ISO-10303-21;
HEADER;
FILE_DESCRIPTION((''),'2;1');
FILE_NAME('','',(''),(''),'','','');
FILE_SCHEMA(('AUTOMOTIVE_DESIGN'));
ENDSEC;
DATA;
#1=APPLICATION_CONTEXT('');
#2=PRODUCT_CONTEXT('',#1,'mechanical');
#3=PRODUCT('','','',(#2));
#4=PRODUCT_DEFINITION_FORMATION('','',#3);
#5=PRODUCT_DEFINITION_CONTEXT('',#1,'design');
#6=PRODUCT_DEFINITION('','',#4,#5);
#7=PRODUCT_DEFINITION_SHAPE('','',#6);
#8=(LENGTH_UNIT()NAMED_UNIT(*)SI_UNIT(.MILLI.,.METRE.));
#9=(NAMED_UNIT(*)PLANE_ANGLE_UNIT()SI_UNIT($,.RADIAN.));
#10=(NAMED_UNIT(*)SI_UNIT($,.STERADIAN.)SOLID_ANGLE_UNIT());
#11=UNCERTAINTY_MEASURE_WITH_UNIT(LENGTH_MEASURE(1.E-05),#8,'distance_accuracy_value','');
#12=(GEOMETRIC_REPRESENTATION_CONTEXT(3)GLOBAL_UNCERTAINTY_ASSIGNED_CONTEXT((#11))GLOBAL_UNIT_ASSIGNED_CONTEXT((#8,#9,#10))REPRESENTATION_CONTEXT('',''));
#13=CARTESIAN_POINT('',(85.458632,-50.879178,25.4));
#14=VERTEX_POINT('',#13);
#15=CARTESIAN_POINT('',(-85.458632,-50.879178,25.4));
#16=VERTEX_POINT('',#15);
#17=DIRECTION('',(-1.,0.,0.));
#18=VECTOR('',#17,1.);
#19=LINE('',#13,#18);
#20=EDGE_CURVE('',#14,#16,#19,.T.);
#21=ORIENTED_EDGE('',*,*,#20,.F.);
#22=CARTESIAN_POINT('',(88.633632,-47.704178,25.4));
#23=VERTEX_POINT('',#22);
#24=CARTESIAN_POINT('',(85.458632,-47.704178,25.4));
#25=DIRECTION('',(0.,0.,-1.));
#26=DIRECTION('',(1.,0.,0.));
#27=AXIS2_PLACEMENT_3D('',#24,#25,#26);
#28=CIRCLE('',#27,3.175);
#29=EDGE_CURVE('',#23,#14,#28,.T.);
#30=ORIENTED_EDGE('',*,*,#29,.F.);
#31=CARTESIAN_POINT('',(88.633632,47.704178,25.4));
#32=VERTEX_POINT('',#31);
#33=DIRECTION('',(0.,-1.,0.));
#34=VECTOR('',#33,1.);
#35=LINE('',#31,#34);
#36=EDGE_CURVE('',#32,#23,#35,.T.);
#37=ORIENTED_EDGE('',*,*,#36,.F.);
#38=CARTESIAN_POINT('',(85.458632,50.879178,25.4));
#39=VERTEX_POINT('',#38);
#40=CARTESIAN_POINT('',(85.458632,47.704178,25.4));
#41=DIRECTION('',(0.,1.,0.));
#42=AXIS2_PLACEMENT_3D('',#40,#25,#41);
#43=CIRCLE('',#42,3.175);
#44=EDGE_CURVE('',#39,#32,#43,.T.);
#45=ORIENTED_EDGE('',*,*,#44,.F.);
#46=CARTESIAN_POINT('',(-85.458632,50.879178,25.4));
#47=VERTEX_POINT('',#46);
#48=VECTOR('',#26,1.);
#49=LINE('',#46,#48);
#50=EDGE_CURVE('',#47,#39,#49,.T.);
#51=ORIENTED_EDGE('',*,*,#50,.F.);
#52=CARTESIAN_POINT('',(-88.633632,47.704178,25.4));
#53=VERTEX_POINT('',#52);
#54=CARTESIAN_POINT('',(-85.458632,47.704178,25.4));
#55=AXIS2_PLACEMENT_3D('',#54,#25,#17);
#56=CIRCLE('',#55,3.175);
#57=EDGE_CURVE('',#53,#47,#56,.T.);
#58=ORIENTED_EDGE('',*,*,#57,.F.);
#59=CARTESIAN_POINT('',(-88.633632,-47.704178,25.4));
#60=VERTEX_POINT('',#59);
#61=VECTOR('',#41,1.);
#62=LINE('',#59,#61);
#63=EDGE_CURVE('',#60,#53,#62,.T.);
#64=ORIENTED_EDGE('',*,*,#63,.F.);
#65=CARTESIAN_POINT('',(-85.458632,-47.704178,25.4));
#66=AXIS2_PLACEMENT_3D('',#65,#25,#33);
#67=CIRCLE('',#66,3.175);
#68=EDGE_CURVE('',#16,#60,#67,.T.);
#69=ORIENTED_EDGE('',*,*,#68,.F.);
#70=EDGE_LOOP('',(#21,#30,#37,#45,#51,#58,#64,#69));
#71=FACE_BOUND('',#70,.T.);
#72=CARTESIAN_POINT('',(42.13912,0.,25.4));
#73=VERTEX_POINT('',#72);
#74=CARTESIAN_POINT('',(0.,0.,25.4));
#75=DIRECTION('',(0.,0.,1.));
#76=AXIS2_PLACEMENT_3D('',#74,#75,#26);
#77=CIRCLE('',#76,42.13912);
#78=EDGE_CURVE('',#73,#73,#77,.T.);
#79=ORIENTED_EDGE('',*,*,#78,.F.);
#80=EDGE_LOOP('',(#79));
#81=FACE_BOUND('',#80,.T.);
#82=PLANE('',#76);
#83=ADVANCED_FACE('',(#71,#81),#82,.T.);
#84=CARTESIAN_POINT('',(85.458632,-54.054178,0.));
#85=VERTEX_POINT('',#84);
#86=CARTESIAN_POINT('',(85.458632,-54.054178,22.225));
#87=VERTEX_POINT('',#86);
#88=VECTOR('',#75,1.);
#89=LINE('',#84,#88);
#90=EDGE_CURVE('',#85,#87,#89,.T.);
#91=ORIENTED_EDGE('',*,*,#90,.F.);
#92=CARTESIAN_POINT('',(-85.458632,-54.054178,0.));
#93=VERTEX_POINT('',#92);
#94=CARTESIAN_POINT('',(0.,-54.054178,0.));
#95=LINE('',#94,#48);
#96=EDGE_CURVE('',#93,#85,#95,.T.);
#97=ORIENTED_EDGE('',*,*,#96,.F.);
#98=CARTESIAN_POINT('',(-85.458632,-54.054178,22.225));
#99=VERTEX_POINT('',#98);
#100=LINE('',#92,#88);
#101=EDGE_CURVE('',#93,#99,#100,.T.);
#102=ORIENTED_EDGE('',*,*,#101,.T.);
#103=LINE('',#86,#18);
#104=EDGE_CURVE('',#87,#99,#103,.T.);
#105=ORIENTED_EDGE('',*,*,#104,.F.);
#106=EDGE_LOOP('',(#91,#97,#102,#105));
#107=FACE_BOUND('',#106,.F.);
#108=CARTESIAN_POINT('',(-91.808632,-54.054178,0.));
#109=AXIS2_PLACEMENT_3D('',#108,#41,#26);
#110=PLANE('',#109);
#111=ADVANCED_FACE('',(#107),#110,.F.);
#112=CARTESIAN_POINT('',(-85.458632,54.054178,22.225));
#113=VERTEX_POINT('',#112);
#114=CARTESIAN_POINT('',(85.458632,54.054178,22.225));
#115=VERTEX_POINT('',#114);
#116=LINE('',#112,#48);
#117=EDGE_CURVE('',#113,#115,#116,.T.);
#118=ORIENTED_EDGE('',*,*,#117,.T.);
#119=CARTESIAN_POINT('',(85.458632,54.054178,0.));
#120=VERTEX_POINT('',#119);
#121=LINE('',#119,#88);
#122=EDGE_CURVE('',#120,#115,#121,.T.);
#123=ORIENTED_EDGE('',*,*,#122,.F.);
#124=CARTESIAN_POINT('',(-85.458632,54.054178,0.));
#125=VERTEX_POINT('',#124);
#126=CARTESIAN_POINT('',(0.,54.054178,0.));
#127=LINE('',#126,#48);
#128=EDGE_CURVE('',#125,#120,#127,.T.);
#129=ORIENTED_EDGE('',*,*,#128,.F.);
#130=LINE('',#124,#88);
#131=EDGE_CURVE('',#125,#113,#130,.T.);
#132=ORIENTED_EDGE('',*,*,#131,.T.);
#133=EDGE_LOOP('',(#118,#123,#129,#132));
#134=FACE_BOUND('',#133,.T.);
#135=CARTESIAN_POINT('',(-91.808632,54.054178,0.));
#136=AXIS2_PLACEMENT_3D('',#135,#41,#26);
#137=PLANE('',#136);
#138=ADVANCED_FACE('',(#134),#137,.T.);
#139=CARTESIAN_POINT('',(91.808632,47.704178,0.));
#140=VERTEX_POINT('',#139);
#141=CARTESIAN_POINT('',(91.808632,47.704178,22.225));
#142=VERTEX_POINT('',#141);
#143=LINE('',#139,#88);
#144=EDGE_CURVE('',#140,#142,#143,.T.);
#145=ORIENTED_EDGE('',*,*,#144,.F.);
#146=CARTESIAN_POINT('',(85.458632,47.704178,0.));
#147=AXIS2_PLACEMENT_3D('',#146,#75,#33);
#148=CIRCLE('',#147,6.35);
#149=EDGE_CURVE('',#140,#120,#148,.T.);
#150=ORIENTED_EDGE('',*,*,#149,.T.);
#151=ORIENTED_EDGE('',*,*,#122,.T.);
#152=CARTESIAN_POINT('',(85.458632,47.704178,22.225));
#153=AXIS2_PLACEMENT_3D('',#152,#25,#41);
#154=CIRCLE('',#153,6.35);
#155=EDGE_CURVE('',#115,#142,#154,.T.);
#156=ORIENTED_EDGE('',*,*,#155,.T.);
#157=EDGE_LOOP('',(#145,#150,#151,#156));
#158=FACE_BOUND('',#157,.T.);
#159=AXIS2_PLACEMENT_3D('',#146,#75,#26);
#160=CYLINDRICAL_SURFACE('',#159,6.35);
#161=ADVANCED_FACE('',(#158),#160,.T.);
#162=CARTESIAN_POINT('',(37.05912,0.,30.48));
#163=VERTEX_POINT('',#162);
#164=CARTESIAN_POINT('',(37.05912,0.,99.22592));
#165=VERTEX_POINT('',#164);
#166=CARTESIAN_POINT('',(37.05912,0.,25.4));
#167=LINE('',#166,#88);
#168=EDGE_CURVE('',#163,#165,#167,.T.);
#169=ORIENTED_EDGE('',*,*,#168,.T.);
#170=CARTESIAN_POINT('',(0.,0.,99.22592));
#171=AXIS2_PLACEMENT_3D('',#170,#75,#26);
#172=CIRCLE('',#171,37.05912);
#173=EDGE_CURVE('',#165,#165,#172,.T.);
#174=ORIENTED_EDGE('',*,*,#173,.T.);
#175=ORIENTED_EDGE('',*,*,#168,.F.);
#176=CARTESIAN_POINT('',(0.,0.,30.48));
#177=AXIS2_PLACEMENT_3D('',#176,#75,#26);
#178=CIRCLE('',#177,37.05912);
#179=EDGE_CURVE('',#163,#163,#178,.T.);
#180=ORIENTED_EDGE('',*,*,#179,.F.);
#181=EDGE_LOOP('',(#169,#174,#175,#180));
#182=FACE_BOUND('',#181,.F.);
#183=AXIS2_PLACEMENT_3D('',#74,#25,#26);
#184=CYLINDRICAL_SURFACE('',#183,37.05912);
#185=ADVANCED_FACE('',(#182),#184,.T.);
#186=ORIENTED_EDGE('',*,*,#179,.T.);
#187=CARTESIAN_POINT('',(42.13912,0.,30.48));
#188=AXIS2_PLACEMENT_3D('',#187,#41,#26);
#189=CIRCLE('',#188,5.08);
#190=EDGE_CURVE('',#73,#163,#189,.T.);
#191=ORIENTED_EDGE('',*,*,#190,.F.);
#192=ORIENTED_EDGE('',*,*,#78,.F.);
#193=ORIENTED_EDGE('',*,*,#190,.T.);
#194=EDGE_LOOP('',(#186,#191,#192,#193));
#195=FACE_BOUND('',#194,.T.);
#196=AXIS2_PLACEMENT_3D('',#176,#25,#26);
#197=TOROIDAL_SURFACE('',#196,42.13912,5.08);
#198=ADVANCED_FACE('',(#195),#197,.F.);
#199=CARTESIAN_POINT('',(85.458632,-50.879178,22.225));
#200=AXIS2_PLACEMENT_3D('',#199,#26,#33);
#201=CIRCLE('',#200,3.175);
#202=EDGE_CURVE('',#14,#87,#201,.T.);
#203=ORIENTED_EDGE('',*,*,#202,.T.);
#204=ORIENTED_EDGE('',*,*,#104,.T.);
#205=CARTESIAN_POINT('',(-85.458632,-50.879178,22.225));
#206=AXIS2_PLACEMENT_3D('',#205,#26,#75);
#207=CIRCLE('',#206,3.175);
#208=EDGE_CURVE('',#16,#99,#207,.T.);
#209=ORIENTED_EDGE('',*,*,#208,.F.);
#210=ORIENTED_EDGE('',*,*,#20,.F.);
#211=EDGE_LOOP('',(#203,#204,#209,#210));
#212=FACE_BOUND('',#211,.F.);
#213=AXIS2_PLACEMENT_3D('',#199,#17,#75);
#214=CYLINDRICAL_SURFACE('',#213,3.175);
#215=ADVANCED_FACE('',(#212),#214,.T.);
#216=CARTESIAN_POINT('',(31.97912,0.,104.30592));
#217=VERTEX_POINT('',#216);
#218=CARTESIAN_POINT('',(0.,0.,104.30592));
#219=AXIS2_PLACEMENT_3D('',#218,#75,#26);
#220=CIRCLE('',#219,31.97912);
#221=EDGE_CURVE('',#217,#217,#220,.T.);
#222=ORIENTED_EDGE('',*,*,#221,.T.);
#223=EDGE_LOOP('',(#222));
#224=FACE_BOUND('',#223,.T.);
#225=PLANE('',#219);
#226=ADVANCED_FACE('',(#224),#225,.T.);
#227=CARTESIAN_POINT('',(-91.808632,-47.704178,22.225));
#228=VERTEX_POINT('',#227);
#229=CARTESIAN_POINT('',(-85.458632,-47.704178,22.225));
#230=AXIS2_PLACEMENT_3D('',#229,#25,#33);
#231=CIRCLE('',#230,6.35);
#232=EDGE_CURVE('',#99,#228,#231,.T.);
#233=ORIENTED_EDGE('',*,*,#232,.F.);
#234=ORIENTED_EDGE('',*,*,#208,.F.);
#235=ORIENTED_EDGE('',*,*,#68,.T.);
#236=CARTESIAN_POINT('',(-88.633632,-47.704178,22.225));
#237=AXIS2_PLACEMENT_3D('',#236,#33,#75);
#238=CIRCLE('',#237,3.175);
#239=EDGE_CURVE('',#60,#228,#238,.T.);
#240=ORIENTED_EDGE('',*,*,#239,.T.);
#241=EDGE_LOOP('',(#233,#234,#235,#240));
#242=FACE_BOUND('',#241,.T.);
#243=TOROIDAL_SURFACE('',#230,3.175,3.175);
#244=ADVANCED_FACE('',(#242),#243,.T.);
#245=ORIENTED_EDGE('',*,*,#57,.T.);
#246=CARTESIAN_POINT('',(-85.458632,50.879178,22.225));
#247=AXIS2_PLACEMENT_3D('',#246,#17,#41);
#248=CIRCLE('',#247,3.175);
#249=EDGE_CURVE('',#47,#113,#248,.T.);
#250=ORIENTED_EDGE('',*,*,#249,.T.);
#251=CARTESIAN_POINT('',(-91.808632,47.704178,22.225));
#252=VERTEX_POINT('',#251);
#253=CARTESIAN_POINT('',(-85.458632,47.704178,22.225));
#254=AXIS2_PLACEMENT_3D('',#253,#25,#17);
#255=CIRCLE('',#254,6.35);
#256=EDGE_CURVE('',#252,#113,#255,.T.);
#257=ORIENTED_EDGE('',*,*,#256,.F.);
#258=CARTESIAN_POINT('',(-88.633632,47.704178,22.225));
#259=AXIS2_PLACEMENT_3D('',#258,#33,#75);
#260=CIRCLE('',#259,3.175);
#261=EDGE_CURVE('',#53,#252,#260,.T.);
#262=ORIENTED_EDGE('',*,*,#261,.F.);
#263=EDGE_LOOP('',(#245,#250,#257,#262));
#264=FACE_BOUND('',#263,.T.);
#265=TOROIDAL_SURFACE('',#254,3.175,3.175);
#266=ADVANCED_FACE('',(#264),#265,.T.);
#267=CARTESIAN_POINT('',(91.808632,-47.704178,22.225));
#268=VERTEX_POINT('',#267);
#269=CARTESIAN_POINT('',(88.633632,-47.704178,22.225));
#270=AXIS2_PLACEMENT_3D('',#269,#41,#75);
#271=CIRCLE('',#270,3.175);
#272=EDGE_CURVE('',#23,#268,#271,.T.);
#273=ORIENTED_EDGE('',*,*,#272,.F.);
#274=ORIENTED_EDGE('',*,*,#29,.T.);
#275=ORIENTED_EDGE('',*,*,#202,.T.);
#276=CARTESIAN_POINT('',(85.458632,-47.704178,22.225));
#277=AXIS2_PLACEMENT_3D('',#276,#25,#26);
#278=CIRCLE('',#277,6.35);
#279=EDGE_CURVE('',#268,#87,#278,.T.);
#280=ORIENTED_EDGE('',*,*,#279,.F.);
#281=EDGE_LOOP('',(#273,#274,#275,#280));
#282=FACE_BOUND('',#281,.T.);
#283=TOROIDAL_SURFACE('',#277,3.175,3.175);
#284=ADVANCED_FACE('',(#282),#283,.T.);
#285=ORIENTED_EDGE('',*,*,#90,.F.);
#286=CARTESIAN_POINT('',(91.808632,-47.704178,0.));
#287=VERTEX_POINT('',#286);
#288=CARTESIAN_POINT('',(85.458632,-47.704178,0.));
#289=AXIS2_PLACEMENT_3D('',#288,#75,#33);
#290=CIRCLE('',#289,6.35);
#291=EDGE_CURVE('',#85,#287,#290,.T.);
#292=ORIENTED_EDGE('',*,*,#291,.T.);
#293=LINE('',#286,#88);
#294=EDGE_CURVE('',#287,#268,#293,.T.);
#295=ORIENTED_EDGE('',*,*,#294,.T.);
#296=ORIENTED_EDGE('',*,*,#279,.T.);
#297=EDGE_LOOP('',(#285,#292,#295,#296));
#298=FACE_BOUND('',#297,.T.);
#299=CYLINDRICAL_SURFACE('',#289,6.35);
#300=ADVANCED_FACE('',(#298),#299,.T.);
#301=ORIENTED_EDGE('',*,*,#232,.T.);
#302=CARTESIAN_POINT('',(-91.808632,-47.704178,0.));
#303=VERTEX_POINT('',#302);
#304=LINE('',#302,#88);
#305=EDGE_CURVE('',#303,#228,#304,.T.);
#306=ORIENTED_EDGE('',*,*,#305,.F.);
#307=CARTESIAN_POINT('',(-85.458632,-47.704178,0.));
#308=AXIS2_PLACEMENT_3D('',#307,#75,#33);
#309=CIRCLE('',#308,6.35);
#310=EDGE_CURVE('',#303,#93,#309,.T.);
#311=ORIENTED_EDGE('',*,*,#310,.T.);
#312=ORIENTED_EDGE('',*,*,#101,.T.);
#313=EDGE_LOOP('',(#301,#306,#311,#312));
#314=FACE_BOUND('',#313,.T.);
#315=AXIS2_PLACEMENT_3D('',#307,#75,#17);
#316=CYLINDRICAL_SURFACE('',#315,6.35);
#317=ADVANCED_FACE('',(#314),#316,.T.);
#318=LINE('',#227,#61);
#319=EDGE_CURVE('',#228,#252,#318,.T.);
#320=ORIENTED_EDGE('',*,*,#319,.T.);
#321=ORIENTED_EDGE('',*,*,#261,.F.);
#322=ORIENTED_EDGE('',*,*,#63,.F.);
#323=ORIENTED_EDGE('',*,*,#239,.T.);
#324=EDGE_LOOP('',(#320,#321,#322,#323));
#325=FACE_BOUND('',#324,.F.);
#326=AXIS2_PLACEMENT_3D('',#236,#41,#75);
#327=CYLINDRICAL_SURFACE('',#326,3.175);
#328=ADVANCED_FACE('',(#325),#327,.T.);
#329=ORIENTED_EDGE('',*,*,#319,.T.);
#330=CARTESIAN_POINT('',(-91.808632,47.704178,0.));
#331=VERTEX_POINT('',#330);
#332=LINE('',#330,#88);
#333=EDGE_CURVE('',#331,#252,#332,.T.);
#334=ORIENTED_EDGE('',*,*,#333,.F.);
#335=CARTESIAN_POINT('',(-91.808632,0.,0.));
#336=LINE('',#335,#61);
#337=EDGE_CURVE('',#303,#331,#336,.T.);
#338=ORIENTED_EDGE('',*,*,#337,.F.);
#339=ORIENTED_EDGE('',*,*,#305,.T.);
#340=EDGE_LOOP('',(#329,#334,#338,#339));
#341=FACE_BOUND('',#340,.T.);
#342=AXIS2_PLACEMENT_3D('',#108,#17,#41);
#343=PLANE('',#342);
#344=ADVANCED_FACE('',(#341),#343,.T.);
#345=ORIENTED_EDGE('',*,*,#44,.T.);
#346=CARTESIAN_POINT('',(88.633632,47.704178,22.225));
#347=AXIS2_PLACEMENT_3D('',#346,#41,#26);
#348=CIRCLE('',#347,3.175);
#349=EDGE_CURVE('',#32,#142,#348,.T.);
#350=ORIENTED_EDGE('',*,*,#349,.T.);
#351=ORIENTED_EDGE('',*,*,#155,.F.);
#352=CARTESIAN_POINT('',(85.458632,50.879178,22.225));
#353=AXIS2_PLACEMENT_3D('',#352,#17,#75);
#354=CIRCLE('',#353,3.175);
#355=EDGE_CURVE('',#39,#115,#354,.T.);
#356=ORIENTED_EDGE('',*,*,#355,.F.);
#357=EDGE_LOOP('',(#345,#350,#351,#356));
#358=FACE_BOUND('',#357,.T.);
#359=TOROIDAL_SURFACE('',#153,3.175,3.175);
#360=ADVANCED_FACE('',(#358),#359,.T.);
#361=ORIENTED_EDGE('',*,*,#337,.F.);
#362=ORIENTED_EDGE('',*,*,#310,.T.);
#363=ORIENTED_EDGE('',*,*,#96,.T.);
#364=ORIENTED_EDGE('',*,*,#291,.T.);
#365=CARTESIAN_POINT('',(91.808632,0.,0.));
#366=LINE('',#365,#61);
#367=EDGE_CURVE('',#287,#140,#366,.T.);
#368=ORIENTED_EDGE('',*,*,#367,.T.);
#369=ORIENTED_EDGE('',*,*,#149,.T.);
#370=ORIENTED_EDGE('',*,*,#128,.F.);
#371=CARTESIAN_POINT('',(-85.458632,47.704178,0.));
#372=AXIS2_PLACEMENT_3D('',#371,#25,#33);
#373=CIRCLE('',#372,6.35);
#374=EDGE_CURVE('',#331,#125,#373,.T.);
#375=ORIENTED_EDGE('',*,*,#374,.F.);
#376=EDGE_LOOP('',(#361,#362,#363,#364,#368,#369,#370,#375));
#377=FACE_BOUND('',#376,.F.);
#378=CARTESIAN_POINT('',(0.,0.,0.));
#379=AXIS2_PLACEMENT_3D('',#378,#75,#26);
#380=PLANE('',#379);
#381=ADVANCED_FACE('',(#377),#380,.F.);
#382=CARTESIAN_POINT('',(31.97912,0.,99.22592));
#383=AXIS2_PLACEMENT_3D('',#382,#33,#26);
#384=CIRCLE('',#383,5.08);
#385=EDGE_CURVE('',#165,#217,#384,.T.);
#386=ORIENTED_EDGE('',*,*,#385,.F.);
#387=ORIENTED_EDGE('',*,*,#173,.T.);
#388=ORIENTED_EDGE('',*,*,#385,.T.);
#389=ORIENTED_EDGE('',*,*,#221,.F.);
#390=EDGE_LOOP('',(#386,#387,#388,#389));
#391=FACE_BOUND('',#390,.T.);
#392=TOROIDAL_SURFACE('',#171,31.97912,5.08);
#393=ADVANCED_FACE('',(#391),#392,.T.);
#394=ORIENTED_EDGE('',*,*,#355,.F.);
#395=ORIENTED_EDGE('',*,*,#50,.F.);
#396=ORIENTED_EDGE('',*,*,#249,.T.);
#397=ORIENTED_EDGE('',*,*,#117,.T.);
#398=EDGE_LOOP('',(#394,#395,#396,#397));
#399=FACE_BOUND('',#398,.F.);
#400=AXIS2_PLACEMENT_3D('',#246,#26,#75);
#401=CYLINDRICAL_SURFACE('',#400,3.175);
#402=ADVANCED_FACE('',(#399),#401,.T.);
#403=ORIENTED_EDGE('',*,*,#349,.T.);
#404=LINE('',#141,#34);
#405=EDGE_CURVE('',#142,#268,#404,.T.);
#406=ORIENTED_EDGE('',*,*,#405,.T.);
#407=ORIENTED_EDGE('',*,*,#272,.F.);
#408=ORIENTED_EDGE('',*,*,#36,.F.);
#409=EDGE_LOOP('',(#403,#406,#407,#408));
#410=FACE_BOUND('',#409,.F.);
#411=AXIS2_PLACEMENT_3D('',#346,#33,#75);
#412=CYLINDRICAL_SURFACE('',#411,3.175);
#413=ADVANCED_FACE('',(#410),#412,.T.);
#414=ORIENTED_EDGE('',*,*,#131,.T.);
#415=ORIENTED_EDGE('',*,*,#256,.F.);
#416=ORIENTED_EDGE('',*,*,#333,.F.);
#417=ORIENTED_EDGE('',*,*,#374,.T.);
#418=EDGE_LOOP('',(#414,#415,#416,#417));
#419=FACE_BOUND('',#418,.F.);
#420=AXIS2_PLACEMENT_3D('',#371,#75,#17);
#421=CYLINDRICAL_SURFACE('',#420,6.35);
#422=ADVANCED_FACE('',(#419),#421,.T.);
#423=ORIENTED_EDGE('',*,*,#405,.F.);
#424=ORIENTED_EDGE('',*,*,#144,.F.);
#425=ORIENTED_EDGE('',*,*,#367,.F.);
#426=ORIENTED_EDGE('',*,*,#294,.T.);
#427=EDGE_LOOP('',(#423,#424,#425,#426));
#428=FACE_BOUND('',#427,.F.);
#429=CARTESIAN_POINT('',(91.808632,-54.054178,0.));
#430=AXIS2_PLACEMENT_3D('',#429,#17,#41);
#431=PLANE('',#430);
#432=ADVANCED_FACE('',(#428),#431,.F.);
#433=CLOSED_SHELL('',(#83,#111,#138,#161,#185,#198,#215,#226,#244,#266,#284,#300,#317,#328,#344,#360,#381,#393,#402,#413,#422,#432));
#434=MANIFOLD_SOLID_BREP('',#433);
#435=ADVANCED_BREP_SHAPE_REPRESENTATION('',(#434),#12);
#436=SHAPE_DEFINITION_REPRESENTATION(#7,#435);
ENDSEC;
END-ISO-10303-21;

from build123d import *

# Parameters (mm, degrees)
F0_W     = 183.617264
F0_H     = 108.108356
F1_DEPTH = 25.4
F2_R     = 6.35
F3_R     = 37.05912
F4_DEPTH = 78.90592
F5_R     = 5.08
F6_R     = 3.175


with BuildPart() as f1:
    # F0 (on Top) → F1 (new body)
    with BuildSketch(Plane.XY):
        Rectangle(F0_W, F0_H)
    extrude(amount=F1_DEPTH)

    # F2
    f2_edges = [f1.edges().sort_by_distance(p)[0] for p in [
        (-91.808632, -54.054178, 12.7),
        (91.808632, -54.054178, 12.7),
        (91.808632, 54.054178, 12.7),
        (-91.808632, 54.054178, 12.7),
    ]]
    fillet(f2_edges, radius=F2_R)

    # F3 (on face) → F4 (join)
    with BuildSketch(Plane.XY.offset(25.4)):
        Circle(F3_R)
    extrude(amount=F4_DEPTH)

    # F5
    f5_edges = [f1.edges().sort_by_distance(p)[0] for p in [
        (37.05912, 0, 64.85296),
        (-37.05912, 0, 25.4),
        (-37.05912, 0, 104.30592),
    ]]
    fillet(f5_edges, radius=F5_R)

    # F6
    f6_edges = [f1.edges().sort_by_distance(p)[0] for p in [
        (-31.97912, 0, 104.30592),
        (-91.808632, 0, 25.4),
    ]]
    fillet(f6_edges, radius=F6_R)


solid = f1.part
